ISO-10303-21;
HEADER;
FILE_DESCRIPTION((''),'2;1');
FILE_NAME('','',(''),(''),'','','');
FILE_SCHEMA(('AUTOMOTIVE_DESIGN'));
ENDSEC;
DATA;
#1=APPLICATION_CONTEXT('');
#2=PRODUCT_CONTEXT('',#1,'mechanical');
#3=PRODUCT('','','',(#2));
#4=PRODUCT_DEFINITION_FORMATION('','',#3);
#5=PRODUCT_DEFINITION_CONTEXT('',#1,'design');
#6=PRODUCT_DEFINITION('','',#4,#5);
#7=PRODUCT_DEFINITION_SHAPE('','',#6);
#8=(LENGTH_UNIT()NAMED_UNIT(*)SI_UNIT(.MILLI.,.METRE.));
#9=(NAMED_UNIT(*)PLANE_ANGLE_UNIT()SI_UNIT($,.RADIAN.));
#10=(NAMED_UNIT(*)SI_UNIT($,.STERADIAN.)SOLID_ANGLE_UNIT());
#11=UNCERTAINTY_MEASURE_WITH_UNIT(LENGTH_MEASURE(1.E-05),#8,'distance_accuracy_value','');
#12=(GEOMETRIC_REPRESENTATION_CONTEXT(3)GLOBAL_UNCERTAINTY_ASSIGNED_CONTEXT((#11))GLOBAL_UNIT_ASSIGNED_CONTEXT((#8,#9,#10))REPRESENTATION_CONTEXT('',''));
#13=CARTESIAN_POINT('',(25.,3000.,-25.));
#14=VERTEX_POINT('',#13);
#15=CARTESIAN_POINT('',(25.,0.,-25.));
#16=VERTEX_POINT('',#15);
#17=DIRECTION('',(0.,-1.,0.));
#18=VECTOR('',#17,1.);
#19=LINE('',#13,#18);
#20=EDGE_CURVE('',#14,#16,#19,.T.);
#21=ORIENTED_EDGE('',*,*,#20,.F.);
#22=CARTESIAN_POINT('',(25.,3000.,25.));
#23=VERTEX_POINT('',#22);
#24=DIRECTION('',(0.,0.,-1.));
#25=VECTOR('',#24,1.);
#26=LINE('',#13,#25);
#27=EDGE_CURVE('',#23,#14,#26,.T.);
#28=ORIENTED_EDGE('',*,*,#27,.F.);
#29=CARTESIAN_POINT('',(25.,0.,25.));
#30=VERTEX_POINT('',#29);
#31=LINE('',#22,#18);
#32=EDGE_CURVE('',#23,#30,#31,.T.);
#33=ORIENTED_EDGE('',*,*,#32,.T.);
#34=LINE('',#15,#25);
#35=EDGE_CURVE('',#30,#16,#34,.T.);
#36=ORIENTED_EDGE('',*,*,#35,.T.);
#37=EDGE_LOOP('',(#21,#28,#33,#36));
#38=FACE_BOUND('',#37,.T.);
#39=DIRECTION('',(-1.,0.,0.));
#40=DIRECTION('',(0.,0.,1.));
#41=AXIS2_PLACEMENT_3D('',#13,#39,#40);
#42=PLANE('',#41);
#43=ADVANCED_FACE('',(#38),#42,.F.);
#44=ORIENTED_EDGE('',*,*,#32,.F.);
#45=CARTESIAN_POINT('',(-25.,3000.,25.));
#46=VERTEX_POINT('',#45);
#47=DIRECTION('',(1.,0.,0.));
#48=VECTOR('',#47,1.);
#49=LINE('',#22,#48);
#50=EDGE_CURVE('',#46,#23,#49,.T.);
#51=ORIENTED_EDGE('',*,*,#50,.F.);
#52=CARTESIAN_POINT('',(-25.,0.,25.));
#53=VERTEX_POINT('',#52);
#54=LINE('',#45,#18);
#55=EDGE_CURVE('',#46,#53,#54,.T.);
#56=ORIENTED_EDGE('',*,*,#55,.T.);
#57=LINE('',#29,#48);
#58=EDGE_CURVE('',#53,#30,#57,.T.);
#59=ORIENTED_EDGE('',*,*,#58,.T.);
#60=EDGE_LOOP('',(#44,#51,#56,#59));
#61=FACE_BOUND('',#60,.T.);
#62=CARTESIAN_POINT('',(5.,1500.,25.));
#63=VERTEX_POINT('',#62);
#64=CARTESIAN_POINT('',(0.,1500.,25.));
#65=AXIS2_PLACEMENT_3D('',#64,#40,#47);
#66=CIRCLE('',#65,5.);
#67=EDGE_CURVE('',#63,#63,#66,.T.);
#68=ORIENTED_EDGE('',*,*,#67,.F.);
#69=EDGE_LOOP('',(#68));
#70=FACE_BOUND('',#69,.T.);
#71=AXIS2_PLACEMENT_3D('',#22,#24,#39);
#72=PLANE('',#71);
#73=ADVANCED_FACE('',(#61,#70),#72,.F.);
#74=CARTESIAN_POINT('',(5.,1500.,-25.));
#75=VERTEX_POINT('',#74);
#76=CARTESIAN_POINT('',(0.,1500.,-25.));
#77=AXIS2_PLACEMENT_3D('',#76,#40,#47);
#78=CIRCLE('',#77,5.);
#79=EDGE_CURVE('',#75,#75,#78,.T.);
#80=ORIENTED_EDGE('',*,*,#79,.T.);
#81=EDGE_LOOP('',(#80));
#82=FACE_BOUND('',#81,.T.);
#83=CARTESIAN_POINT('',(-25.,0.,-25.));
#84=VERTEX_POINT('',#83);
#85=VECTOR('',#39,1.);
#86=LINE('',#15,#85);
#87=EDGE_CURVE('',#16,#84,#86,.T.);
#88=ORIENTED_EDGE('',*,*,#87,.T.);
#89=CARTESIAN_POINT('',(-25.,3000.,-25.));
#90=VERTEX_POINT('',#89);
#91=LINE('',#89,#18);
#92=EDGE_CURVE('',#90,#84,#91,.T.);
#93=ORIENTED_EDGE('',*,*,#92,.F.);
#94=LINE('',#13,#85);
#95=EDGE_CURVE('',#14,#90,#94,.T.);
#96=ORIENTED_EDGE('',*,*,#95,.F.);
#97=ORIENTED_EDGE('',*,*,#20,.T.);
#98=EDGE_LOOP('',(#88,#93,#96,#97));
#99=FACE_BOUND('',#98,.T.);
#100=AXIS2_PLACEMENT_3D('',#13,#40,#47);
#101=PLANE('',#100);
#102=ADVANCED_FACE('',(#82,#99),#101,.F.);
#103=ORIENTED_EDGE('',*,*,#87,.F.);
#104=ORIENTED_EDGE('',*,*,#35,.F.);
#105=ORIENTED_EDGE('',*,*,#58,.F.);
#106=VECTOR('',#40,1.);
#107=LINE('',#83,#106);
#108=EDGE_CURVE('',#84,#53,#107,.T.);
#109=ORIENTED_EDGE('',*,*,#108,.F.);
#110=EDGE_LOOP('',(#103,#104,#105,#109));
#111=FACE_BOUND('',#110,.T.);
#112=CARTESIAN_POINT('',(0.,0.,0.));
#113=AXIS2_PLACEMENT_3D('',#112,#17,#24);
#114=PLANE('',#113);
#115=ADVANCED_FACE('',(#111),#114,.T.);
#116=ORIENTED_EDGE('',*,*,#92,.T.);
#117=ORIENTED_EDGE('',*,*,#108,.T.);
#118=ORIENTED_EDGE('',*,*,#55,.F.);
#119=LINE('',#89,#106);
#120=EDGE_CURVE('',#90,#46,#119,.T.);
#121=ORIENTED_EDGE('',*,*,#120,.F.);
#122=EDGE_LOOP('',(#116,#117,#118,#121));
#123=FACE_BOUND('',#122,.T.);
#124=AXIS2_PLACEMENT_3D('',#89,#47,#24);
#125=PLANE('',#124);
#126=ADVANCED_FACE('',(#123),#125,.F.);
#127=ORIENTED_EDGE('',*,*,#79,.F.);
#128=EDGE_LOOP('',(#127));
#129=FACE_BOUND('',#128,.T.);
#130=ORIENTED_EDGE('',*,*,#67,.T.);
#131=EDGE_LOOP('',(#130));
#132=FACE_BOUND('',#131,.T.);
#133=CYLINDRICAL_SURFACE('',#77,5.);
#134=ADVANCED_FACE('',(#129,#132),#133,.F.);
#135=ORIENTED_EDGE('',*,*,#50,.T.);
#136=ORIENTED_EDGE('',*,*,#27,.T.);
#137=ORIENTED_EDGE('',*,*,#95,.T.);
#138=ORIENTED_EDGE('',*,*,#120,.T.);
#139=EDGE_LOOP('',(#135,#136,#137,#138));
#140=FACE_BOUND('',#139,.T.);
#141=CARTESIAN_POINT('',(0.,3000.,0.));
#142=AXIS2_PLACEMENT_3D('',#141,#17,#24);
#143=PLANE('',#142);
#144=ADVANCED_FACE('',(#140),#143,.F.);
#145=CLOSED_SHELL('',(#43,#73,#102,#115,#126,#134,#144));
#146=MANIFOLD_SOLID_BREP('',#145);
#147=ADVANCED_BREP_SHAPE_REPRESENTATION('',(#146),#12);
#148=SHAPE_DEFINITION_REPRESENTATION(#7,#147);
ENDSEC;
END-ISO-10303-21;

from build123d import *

# Parameters (mm, degrees)
SKETCH_1_W          = 50
SKETCH_1_H          = 50
EXTRUDE_1_DEPTH     = 3000
SKETCH_2_R          = 5
CUT_EXTRUDE_1_DEPTH = 50


with BuildPart() as part:
    # Эскиз1 → Бобышка-Вытянуть1 (new body)
    with BuildSketch(Plane(origin=(0, 0, 0), x_dir=(1, 0, 0), z_dir=(0, 1, 0))):
        Rectangle(SKETCH_1_W, SKETCH_1_H)
    extrude(amount=EXTRUDE_1_DEPTH)

    # Эскиз2 → Вырез-Вытянуть1 (cut)
    with BuildSketch(Plane.XY.offset(25)):
        with Locations((0, 1500)):
            Circle(SKETCH_2_R)
    extrude(amount=-CUT_EXTRUDE_1_DEPTH, mode=Mode.SUBTRACT)


solid = part.part
